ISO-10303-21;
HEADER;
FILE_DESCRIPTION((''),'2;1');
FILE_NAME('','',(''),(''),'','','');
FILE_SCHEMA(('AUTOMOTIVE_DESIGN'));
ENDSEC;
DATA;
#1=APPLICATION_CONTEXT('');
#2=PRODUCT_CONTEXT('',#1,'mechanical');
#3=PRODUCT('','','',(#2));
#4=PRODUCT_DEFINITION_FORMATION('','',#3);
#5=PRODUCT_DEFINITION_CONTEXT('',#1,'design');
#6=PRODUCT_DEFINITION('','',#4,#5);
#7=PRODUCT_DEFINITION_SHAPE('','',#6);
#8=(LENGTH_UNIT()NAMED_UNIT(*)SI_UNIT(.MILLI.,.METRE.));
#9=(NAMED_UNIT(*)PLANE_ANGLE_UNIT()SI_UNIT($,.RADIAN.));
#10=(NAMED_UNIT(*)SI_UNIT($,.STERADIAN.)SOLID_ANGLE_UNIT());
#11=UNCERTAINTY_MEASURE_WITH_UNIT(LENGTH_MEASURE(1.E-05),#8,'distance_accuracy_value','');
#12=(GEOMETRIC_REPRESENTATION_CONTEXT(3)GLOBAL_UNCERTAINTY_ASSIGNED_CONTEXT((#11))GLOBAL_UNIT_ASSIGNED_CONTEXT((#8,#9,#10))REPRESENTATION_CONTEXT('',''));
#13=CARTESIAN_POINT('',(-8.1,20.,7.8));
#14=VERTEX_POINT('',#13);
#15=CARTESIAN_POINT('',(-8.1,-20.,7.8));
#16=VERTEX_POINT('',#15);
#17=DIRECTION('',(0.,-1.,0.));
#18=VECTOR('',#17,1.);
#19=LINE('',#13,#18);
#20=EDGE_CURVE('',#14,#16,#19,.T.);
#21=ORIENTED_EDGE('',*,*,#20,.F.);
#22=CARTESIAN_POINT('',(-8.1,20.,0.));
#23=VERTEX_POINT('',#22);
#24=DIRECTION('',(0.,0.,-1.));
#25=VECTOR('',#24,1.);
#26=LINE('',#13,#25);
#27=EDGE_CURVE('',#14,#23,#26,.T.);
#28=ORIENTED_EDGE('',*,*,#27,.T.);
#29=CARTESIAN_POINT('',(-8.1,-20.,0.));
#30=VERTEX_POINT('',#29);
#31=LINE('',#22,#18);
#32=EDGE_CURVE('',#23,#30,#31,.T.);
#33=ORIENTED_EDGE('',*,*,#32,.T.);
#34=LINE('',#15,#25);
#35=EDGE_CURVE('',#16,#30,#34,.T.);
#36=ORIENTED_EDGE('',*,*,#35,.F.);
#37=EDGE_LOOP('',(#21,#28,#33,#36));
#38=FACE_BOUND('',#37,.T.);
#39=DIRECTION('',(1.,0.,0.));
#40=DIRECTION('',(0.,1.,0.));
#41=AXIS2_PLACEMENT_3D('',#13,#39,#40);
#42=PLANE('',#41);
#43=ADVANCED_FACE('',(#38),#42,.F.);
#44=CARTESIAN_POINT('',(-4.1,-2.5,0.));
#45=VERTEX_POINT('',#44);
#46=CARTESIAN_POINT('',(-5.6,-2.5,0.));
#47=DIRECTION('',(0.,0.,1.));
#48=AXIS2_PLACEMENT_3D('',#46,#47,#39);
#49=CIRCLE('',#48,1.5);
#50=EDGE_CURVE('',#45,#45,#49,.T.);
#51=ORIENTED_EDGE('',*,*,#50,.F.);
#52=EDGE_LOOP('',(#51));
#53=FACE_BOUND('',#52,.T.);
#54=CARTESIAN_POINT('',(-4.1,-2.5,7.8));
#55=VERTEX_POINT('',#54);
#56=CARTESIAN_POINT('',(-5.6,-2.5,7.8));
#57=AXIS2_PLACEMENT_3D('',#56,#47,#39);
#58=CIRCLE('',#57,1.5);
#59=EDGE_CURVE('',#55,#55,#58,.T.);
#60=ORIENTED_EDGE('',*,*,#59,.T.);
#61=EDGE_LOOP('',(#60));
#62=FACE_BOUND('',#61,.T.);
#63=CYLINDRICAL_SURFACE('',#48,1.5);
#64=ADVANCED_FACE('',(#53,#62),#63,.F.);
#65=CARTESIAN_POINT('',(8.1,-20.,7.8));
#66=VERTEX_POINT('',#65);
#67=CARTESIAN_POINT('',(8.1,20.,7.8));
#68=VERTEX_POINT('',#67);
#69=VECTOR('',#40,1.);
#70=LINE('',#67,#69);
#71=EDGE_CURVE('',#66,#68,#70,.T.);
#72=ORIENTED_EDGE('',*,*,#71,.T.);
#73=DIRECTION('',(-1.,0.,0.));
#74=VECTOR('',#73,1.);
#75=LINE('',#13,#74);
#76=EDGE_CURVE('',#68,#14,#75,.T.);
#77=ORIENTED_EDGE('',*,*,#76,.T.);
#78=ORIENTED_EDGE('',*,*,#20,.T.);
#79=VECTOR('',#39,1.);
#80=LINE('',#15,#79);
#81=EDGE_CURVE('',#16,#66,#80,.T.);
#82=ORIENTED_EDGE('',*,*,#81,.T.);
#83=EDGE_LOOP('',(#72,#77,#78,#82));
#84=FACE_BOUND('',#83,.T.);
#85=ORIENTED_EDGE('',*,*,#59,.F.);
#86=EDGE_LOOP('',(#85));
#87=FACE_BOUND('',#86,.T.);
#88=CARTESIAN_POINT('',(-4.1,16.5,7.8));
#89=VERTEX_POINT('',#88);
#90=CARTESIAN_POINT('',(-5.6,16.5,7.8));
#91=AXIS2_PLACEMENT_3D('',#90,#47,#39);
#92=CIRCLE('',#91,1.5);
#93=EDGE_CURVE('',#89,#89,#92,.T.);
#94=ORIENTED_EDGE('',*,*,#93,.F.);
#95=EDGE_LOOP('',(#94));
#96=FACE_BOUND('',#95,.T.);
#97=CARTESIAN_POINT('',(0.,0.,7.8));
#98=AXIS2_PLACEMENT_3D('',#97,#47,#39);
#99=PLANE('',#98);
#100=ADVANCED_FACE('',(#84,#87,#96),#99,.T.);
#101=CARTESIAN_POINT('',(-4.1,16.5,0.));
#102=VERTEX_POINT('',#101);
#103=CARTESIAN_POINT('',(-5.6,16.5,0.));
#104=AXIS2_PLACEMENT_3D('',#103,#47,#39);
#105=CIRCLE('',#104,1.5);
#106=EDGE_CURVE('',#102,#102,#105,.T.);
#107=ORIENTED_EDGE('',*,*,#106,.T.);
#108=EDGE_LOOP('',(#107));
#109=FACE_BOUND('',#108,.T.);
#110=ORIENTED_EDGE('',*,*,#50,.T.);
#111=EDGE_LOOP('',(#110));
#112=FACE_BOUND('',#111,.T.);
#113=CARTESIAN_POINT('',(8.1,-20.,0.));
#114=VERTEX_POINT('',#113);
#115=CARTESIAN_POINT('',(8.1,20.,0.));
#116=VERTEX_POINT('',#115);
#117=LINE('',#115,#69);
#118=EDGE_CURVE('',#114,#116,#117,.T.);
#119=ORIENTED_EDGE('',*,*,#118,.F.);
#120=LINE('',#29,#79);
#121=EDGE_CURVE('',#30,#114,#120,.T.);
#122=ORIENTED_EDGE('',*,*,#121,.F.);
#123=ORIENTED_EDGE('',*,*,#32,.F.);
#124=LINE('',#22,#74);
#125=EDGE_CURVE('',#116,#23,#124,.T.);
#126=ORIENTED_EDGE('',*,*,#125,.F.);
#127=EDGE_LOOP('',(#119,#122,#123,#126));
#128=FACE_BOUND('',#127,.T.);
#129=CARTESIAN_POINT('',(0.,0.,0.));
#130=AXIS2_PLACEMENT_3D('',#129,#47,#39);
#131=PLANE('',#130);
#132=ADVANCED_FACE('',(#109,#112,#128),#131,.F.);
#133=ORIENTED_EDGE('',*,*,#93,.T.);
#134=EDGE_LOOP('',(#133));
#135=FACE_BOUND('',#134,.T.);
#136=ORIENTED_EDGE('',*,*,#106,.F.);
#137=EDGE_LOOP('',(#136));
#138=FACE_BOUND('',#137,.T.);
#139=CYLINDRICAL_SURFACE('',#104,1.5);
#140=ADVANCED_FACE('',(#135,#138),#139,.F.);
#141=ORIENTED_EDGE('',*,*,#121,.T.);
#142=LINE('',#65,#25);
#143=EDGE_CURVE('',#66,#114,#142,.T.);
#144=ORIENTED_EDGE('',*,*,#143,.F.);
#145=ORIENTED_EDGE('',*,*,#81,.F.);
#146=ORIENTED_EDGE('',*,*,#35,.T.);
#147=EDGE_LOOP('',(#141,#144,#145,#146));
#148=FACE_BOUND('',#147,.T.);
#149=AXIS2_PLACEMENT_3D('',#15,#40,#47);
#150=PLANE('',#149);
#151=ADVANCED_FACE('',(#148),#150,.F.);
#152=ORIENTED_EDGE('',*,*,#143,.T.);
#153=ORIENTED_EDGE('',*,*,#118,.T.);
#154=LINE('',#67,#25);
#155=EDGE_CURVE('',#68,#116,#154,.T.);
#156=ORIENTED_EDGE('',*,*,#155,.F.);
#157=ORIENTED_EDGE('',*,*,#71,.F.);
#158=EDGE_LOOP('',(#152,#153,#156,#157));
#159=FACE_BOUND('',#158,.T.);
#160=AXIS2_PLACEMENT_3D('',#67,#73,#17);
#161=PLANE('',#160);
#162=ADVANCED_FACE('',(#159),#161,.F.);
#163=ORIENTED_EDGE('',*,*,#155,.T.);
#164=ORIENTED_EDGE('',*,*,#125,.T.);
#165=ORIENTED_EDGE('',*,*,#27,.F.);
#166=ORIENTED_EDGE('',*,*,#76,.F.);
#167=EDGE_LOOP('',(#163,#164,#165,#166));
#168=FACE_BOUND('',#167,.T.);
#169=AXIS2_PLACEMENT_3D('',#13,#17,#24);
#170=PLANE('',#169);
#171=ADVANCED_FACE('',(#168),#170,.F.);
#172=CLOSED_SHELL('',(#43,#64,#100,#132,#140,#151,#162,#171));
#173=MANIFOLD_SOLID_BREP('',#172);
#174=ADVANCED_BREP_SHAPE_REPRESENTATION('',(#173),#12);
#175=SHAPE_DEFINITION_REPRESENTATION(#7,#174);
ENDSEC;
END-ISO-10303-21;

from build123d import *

# Parameters (mm, degrees)
SKETCH1_W           = 16.2
SKETCH1_H           = 40
BOSS_EXTRUDE1_DEPTH = 7.8
SKETCH2_R           = 1.5
CUT_EXTRUDE1_DEPTH  = 23.944498251


with BuildPart() as part:
    # Sketch1 → Boss-Extrude1 (new body)
    with BuildSketch(Plane.XY):
        Rectangle(SKETCH1_W, SKETCH1_H)
    extrude(amount=BOSS_EXTRUDE1_DEPTH)

    # Sketch2 → Cut-Extrude1 (cut, through all)
    with BuildSketch(Plane.XY.offset(7.8)):
        with Locations((-5.6, 16.5)):
            Circle(SKETCH2_R)
        with Locations((-5.6, -2.5)):
            Circle(SKETCH2_R)
    extrude(amount=-CUT_EXTRUDE1_DEPTH, mode=Mode.SUBTRACT)


solid = part.part
